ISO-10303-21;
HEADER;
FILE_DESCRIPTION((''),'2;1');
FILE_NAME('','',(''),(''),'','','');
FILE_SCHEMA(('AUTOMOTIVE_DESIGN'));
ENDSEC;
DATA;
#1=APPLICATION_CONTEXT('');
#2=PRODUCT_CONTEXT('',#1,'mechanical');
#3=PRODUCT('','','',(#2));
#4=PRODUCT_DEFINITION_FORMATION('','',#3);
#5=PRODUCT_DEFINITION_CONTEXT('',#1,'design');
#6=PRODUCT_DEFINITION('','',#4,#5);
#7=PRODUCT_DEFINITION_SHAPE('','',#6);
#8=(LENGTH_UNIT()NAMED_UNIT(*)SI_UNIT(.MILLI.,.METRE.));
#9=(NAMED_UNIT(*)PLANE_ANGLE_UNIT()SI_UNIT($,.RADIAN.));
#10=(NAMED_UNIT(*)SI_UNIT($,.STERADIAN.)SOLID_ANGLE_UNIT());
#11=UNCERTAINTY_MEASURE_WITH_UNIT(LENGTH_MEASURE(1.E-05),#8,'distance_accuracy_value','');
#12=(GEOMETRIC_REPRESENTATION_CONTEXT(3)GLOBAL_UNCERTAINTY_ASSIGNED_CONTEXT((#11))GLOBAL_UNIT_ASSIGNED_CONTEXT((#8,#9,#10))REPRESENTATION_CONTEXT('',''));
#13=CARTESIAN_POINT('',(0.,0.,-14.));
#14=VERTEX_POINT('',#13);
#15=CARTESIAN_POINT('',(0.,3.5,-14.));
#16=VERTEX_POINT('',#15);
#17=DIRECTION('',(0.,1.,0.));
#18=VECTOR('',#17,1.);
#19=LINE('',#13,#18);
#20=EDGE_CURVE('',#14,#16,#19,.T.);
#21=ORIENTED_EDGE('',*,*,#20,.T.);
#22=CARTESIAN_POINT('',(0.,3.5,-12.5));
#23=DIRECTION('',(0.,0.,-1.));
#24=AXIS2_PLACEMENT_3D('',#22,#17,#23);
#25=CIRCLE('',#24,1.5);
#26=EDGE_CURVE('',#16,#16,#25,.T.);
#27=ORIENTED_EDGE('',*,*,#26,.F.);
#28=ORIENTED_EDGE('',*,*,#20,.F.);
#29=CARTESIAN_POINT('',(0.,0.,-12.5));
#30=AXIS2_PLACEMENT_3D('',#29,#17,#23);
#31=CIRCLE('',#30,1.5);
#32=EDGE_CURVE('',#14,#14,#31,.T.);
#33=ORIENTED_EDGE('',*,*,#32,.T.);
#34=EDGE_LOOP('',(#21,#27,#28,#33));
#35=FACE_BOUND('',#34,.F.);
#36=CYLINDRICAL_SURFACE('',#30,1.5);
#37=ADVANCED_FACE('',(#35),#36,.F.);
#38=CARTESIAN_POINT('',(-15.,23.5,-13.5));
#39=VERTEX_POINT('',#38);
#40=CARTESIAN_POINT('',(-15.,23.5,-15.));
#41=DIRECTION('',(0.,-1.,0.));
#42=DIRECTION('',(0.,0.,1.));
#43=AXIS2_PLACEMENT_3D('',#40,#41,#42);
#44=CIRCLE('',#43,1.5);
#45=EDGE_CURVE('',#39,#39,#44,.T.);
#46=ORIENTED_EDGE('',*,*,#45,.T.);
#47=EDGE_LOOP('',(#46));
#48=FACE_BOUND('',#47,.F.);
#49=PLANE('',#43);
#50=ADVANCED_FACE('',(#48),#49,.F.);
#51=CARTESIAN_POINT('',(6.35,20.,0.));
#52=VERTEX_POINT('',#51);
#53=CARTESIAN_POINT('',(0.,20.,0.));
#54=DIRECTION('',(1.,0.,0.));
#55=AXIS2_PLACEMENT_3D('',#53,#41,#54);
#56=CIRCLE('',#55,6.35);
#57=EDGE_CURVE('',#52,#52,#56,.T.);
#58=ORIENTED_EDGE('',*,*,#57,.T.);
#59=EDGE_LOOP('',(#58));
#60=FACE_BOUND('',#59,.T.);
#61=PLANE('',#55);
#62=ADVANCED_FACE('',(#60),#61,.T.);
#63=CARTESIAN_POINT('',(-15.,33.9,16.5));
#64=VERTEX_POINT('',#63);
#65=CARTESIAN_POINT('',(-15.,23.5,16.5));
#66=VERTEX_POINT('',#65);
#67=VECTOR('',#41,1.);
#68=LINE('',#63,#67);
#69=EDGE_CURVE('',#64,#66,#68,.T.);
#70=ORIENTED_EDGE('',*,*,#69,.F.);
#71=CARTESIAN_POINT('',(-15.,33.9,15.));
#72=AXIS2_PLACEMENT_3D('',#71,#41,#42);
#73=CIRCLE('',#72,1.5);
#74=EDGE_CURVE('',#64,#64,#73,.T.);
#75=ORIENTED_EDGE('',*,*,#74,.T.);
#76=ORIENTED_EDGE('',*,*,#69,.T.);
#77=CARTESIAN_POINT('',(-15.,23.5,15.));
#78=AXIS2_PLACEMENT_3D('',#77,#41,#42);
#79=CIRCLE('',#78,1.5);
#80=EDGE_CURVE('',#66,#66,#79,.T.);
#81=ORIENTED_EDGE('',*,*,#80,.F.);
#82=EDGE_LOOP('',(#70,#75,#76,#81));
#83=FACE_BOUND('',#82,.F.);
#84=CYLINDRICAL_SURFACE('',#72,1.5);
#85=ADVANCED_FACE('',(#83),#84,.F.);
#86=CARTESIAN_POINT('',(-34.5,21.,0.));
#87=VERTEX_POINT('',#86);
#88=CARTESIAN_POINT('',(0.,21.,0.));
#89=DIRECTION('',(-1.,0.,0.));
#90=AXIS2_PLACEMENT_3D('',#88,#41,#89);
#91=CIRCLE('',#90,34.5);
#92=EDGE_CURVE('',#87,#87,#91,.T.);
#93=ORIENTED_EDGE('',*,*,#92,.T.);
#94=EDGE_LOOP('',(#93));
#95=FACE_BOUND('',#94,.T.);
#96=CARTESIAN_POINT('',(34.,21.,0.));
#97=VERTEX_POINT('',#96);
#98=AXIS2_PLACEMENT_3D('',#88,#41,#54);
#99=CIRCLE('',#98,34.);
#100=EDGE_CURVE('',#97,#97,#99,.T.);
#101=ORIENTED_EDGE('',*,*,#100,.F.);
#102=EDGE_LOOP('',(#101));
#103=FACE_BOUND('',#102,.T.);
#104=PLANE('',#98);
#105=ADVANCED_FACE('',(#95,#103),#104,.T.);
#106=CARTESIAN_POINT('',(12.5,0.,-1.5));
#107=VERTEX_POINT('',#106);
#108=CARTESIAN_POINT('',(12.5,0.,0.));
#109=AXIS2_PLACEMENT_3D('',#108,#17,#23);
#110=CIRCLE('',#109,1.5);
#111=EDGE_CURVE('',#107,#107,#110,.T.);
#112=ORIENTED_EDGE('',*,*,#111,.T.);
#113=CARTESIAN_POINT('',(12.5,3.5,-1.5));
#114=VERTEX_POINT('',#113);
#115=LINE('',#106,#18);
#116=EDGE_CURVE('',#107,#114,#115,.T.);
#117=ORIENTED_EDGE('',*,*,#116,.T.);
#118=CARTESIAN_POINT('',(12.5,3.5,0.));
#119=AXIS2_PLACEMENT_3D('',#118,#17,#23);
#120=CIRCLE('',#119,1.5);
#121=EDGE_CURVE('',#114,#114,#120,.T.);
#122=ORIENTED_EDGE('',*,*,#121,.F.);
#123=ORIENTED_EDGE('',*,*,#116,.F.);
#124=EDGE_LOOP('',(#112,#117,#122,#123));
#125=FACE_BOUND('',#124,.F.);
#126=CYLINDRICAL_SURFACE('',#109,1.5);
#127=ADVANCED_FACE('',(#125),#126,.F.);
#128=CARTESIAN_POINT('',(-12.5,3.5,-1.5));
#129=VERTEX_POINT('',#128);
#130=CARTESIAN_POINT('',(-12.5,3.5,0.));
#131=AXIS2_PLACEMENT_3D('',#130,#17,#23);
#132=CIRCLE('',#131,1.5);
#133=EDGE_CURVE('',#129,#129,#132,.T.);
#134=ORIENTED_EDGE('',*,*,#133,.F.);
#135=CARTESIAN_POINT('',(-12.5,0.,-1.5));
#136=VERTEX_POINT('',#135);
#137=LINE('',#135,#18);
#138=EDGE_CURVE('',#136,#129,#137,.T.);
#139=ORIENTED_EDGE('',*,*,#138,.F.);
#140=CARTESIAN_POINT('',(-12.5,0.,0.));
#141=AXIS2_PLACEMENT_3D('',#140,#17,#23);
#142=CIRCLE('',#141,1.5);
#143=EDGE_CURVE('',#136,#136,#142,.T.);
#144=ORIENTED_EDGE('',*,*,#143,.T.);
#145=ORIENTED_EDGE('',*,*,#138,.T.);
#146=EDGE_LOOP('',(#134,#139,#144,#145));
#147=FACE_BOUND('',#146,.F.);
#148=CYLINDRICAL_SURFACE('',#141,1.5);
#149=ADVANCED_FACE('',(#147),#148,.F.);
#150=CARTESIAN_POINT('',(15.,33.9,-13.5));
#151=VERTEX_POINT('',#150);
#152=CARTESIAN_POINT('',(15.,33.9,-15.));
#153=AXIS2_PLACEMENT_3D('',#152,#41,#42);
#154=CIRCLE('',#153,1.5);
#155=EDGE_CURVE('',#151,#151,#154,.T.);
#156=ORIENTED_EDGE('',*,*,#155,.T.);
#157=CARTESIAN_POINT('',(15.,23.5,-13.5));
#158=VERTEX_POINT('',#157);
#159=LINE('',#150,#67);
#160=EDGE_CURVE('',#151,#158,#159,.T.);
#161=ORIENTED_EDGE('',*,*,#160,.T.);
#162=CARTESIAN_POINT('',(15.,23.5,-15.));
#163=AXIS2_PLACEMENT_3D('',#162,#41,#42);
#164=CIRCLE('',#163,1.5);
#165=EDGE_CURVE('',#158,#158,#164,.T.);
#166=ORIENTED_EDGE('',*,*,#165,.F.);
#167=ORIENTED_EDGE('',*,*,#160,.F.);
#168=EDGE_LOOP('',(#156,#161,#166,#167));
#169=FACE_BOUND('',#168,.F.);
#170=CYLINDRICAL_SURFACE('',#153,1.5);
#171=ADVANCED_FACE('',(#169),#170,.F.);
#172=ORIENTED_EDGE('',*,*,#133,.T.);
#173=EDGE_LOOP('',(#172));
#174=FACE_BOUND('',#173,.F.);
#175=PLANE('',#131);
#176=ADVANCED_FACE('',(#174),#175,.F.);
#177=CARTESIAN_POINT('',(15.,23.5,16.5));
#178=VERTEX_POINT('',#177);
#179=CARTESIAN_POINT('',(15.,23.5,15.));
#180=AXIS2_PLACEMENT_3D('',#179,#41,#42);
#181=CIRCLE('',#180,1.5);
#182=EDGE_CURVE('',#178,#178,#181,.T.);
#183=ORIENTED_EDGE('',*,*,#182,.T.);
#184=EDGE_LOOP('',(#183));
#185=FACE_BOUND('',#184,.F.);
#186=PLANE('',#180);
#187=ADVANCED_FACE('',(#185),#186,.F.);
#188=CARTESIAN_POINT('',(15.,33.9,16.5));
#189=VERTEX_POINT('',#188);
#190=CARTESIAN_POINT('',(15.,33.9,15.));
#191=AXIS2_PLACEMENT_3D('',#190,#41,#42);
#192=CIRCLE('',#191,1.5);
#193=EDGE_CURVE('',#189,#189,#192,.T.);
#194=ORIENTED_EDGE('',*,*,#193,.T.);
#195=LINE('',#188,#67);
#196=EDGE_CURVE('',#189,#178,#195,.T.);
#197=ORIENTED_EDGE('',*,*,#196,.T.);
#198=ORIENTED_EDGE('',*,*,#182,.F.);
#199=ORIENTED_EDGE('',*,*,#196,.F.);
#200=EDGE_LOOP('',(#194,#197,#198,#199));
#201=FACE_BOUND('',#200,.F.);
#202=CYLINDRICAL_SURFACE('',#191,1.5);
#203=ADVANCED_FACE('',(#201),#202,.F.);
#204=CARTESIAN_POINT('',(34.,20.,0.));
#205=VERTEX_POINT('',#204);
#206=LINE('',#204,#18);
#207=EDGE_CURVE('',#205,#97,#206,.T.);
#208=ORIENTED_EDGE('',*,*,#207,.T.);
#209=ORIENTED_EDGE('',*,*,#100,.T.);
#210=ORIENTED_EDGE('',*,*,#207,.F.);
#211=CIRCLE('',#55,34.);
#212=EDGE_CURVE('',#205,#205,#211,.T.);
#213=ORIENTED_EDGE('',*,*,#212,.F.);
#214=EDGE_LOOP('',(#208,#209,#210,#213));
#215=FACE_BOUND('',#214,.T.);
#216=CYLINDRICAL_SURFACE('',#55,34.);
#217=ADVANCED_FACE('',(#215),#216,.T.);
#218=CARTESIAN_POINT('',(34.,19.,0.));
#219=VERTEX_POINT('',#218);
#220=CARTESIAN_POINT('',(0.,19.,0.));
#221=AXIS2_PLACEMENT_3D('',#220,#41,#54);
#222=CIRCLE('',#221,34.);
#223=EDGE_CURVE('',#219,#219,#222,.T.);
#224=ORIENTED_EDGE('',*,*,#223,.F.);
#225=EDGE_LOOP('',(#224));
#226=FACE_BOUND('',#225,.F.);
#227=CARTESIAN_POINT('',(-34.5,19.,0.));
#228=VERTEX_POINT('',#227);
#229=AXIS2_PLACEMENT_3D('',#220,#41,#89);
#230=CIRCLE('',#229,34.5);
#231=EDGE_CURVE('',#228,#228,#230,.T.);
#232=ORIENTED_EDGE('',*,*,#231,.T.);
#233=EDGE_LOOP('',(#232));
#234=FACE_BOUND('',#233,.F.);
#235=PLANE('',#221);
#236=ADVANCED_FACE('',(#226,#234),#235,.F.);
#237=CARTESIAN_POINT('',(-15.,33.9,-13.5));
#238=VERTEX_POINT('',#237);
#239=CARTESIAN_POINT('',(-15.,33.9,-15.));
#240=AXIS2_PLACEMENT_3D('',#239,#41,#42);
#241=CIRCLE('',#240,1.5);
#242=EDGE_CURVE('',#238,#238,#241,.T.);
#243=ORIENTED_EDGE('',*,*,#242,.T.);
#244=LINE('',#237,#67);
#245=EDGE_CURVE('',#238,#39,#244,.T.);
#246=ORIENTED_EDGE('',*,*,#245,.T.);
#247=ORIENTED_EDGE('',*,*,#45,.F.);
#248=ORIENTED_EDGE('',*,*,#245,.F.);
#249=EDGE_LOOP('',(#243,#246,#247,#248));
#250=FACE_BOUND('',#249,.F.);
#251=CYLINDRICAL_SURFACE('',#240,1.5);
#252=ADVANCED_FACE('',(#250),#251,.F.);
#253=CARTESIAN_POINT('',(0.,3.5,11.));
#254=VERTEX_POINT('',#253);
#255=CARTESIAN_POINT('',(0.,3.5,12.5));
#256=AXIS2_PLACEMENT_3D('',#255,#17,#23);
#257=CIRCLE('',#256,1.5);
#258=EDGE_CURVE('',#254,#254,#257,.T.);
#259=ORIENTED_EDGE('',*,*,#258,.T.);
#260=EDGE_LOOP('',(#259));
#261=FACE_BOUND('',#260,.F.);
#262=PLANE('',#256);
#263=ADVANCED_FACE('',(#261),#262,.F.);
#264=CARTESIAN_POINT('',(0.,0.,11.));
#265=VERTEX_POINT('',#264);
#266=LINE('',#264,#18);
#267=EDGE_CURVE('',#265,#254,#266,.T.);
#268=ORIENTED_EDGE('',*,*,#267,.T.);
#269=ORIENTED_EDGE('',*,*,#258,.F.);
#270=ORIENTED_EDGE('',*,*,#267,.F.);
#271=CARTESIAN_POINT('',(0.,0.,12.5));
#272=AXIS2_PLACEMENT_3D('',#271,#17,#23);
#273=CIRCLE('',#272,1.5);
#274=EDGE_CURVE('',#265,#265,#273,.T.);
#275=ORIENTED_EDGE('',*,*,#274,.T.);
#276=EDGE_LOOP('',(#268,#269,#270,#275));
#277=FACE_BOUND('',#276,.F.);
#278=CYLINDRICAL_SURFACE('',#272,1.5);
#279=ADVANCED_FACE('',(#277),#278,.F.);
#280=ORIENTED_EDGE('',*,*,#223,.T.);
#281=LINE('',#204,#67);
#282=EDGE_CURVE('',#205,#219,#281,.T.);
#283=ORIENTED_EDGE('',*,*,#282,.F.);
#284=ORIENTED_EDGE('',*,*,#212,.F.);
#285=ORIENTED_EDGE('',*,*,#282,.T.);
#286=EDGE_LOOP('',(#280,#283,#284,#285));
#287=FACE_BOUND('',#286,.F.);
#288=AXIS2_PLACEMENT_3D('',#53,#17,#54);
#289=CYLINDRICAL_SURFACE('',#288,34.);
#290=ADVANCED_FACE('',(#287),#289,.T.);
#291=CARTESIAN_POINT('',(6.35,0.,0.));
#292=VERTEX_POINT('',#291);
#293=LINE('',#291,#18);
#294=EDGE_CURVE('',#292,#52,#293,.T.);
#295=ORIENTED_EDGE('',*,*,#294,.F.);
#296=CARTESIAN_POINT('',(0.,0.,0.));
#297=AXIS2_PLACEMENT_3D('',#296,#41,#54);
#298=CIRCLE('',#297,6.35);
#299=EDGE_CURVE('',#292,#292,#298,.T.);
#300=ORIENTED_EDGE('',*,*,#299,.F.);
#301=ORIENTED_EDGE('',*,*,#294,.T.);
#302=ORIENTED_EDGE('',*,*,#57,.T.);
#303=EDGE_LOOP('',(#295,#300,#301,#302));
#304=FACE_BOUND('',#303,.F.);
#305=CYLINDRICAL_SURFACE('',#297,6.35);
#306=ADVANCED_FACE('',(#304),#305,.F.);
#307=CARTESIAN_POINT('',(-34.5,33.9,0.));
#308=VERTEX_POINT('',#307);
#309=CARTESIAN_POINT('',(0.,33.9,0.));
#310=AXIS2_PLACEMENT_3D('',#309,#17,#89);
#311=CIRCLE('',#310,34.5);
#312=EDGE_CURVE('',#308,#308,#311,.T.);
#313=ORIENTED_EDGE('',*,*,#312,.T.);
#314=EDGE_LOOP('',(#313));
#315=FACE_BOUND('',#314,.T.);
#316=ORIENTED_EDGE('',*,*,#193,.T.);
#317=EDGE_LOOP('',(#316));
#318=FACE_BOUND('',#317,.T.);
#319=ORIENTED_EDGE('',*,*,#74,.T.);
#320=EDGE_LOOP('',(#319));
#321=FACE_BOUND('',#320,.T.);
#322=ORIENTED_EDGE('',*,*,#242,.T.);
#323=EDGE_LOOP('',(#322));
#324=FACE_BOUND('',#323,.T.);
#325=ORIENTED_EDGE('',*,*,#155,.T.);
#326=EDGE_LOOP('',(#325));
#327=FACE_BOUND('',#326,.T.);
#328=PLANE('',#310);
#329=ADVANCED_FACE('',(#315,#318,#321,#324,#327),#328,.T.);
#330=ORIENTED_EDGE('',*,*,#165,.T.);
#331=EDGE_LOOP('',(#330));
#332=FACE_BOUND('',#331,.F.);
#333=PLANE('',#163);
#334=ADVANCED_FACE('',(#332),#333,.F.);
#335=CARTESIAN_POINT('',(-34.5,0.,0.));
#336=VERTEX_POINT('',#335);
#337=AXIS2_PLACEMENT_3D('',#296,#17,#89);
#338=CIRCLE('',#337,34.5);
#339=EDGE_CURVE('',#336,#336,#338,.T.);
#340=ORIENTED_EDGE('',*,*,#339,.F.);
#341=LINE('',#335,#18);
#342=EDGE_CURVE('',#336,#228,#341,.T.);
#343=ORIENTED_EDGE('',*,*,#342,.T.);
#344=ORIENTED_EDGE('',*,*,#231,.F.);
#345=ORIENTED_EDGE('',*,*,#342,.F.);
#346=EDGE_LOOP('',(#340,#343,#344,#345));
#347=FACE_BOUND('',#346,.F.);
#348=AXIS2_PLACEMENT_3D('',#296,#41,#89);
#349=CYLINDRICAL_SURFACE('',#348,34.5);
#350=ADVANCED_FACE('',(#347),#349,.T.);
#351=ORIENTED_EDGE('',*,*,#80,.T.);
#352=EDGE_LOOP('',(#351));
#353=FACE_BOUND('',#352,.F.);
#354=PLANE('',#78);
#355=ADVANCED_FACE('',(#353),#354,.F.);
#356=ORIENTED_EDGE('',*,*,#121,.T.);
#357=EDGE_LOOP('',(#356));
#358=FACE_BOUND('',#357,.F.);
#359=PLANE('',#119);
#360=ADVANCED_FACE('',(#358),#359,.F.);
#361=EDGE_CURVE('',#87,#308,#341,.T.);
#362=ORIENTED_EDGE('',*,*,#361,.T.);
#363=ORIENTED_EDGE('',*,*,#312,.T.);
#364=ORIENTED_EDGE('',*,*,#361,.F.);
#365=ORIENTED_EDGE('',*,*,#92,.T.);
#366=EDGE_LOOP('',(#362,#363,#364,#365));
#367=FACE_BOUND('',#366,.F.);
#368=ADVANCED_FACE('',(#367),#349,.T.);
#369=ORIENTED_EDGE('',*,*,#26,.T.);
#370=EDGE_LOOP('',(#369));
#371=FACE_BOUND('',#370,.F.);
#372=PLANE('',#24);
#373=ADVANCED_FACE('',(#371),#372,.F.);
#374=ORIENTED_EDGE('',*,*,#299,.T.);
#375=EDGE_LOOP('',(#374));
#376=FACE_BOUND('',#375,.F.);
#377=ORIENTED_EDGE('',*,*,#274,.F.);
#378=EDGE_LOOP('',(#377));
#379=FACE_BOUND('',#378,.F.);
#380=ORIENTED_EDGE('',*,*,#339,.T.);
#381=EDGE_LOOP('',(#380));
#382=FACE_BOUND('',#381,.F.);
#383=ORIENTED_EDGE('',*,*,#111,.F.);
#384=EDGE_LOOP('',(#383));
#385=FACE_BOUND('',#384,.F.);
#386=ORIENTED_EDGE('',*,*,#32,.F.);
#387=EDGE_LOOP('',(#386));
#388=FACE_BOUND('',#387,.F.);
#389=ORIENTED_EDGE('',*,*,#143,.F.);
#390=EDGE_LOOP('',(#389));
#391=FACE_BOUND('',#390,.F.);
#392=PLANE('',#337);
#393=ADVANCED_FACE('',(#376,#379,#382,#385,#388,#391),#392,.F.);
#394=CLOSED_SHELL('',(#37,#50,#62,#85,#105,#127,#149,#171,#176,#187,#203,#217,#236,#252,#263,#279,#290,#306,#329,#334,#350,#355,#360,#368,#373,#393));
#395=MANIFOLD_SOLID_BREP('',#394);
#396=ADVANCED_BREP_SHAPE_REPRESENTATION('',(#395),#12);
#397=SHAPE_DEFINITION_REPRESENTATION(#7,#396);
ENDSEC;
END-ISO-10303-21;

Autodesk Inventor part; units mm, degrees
ref_plane "YZ Plane" through (0, 0, 0) normal (1, 0, 0) x (0, 1, 0)
ref_plane "XZ Plane" through (0, 0, 0) normal (0, 1, 0) x (-1, 0, 0)
sketch "Sketch1" plane through (0, 0, 0) normal (0, 1, 0) x (-1, 0, 0)
  circle A0 centre (0, 0) radius 34.5
  dimension "d0" = 69
extrude "Extrusion1" add sketch "Sketch1" along normal blind 33.9
sketch "Sketch2" plane through (0, 33.9, 0) normal (0, 1, 0) x (1, 0, 0)
  circle A0 centre (0, 0) radius 34.5 projected
  line L0 (-15, -15) -> (15, -15)
  line L1 (15, -15) -> (15, 15)
  line L2 (15, 15) -> (-15, 15)
  line L3 (-15, 15) -> (-15, -15)
  line L4 (-15, -15) -> (15, 15) construction
  line L5 (15, -15) -> (-15, 15) construction
  circle A1 centre (-15, 15) radius 1.5
  circle A2 centre (15, 15) radius 1.5
  circle A3 centre (-15, -15) radius 1.5
  circle A4 centre (15, -15) radius 1.5
  dimension "d3" = 30
  dimension "d4" = 30
  dimension "d5" = 3
  dimension "d6" = 3
  dimension "d7" = 3
  dimension "d8" = 3
hole "Hole1" at (-15, 33.9, 15) at (15, 33.9, 15) at (-15, 33.9, -15) at (15, 33.9, -15) direction (0, -1, 0) diameter 3 depth 10.4
sketch "Sketch3" plane through (0, 0, 0) normal (0, -1, 0) x (1, 0, 0)
  circle A0 centre (0, 0) radius 34.5 projected
  circle A1 centre (0, 0) radius 6.35
  dimension "d16" = 12.7
extrude "Extrusion2" cut sketch "Sketch3" against normal blind 20 contours A1
ref_plane "Work Plane1" through (0, 20, 0) normal (0, -1, 0) x (1, 0, 0)
sketch "Sketch4" plane through (0, 20, 0) normal (0, -1, 0) x (1, 0, 0)
  circle A0 centre (0, 0) radius 6.35 projected
  circle A1 centre (0, 0) radius 34.5 projected
  circle A2 centre (0, 0) radius 34
  dimension "d20" = 68
extrude "Extrusion3" cut sketch "Sketch4" along normal mid plane 2 contours A1
sketch "Sketch5" plane through (0, 0, 0) normal (0, -1, 0) x (1, 0, 0)
  circle A0 centre (0, 0) radius 6.35 projected
  circle A1 centre (0, 0) radius 34.5 projected
  circle A2 centre (0, 0) radius 12.5
  line L0 (0, -1) -> (0, -12.5)
  circle A3 centre (0, -12.5) radius 2
  circle A4 centre (12.5, 0) radius 2
  circle A5 centre (0, 12.5) radius 2
  circle A6 centre (-12.5, 0) radius 2
  dimension "d23" = 25
  dimension "d24" = 4
  dimension "d27" = 360
hole "Hole2" at (0, 0, -12.5) at (12.5, 0, 0) at (0, 0, 12.5) at (-12.5, 0, 0) direction (0, 1, 0) diameter 3 depth 3.5
sketch "Sketch6" plane through (0, 0, 0) normal (0, -1, 0) x (1, 0, 0)
  line L0 (-63, 66) -> (64.0177, 66) construction
  line L1 (64.0177, 66) -> (64.0177, -63.3993) construction
  line L2 (64.0177, -63.3993) -> (-63, -63.3993) construction
  line L3 (-63, -63.3993) -> (-63, 66) construction
  point P0 (0, 0)
decal "Decal1"
properties part number "motor"
